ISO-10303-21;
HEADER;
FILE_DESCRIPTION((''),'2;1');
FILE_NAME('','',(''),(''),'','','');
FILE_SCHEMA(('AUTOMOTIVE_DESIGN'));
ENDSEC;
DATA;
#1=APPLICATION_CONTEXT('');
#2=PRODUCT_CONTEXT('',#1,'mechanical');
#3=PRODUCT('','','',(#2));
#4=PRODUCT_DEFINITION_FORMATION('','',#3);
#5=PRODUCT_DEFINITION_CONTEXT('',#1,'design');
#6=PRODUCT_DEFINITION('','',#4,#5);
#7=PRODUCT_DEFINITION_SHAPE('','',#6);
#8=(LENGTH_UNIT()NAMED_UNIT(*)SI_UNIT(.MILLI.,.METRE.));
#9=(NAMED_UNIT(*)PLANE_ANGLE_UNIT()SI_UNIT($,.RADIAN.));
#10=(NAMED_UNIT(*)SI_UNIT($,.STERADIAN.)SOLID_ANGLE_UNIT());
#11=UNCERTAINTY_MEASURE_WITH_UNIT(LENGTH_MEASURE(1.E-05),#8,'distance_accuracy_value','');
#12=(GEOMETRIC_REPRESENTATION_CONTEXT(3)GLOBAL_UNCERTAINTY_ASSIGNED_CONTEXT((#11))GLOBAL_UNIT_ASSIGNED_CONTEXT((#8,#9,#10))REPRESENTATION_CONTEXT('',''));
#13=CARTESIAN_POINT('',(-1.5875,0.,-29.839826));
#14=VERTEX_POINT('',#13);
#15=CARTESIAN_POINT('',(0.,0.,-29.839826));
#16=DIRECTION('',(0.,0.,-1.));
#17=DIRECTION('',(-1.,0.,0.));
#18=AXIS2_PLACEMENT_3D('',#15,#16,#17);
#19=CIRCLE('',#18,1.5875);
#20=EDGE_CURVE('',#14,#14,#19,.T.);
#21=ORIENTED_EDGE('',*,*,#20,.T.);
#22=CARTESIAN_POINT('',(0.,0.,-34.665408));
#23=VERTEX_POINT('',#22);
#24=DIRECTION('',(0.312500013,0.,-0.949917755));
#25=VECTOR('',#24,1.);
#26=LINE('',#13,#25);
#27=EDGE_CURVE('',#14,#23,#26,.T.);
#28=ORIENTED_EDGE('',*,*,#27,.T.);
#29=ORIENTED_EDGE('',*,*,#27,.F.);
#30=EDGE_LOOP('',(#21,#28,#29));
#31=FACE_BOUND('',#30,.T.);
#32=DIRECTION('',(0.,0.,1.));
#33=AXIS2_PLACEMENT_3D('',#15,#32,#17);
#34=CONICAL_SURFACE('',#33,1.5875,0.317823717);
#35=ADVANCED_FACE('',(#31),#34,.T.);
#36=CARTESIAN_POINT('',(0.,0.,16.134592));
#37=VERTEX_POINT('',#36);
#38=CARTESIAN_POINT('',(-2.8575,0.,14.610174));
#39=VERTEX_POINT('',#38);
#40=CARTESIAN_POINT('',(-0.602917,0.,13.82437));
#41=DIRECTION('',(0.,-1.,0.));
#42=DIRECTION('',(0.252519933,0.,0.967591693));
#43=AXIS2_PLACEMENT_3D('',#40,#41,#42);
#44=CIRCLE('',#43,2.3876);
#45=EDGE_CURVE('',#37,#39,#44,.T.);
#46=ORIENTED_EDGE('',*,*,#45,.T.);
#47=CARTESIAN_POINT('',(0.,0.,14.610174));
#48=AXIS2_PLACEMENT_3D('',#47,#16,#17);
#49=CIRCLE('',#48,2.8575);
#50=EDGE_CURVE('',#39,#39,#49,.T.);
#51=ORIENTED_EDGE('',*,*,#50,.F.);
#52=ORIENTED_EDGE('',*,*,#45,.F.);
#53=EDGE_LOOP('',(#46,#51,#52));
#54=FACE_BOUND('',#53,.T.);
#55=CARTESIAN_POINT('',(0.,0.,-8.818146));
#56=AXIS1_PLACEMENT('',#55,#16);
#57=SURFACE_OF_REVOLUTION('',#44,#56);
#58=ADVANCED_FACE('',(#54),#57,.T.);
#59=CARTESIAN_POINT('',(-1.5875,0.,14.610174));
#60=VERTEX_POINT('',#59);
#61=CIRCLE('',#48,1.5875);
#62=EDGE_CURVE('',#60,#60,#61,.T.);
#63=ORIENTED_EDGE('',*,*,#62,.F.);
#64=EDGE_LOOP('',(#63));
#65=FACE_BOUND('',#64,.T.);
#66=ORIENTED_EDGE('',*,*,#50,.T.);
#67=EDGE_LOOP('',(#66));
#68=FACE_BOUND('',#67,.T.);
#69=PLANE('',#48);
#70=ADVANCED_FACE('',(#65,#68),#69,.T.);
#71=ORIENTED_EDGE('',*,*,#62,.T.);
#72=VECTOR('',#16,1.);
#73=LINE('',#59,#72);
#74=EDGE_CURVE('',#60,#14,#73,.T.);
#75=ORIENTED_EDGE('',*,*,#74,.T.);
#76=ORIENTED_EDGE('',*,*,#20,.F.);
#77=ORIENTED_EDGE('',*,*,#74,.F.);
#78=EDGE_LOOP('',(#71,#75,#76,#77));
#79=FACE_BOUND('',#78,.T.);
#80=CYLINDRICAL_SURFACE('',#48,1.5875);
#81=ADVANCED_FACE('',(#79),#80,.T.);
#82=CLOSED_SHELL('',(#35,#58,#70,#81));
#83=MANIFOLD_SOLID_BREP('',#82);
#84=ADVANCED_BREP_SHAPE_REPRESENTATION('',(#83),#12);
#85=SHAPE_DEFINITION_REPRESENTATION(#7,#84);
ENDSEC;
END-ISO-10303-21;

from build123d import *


with BuildPart() as f1:
    # F0 (on Front) → F1 (revolve)
    with BuildSketch(Plane.XZ):
        Polygon((0, -34.665408), (0, -29.839826), (-1.5875, -29.839826), align=None)
        with BuildLine():
            Line((-1.5875, -29.839826), (0, -29.839826))
            Line((0, -29.839826), (0, 16.134592))
            ThreePointArc((0, 16.134592), (-1.726733, 15.930948), (-2.8575, 14.610174))
            Line((-2.8575, 14.610174), (-1.5875, 14.610174))
            Line((-1.5875, 14.610174), (-1.5875, -29.839826))
        make_face()
    revolve(axis=Axis((0, 0, -8.818146), (0, 0, -1)))


solid = f1.part
